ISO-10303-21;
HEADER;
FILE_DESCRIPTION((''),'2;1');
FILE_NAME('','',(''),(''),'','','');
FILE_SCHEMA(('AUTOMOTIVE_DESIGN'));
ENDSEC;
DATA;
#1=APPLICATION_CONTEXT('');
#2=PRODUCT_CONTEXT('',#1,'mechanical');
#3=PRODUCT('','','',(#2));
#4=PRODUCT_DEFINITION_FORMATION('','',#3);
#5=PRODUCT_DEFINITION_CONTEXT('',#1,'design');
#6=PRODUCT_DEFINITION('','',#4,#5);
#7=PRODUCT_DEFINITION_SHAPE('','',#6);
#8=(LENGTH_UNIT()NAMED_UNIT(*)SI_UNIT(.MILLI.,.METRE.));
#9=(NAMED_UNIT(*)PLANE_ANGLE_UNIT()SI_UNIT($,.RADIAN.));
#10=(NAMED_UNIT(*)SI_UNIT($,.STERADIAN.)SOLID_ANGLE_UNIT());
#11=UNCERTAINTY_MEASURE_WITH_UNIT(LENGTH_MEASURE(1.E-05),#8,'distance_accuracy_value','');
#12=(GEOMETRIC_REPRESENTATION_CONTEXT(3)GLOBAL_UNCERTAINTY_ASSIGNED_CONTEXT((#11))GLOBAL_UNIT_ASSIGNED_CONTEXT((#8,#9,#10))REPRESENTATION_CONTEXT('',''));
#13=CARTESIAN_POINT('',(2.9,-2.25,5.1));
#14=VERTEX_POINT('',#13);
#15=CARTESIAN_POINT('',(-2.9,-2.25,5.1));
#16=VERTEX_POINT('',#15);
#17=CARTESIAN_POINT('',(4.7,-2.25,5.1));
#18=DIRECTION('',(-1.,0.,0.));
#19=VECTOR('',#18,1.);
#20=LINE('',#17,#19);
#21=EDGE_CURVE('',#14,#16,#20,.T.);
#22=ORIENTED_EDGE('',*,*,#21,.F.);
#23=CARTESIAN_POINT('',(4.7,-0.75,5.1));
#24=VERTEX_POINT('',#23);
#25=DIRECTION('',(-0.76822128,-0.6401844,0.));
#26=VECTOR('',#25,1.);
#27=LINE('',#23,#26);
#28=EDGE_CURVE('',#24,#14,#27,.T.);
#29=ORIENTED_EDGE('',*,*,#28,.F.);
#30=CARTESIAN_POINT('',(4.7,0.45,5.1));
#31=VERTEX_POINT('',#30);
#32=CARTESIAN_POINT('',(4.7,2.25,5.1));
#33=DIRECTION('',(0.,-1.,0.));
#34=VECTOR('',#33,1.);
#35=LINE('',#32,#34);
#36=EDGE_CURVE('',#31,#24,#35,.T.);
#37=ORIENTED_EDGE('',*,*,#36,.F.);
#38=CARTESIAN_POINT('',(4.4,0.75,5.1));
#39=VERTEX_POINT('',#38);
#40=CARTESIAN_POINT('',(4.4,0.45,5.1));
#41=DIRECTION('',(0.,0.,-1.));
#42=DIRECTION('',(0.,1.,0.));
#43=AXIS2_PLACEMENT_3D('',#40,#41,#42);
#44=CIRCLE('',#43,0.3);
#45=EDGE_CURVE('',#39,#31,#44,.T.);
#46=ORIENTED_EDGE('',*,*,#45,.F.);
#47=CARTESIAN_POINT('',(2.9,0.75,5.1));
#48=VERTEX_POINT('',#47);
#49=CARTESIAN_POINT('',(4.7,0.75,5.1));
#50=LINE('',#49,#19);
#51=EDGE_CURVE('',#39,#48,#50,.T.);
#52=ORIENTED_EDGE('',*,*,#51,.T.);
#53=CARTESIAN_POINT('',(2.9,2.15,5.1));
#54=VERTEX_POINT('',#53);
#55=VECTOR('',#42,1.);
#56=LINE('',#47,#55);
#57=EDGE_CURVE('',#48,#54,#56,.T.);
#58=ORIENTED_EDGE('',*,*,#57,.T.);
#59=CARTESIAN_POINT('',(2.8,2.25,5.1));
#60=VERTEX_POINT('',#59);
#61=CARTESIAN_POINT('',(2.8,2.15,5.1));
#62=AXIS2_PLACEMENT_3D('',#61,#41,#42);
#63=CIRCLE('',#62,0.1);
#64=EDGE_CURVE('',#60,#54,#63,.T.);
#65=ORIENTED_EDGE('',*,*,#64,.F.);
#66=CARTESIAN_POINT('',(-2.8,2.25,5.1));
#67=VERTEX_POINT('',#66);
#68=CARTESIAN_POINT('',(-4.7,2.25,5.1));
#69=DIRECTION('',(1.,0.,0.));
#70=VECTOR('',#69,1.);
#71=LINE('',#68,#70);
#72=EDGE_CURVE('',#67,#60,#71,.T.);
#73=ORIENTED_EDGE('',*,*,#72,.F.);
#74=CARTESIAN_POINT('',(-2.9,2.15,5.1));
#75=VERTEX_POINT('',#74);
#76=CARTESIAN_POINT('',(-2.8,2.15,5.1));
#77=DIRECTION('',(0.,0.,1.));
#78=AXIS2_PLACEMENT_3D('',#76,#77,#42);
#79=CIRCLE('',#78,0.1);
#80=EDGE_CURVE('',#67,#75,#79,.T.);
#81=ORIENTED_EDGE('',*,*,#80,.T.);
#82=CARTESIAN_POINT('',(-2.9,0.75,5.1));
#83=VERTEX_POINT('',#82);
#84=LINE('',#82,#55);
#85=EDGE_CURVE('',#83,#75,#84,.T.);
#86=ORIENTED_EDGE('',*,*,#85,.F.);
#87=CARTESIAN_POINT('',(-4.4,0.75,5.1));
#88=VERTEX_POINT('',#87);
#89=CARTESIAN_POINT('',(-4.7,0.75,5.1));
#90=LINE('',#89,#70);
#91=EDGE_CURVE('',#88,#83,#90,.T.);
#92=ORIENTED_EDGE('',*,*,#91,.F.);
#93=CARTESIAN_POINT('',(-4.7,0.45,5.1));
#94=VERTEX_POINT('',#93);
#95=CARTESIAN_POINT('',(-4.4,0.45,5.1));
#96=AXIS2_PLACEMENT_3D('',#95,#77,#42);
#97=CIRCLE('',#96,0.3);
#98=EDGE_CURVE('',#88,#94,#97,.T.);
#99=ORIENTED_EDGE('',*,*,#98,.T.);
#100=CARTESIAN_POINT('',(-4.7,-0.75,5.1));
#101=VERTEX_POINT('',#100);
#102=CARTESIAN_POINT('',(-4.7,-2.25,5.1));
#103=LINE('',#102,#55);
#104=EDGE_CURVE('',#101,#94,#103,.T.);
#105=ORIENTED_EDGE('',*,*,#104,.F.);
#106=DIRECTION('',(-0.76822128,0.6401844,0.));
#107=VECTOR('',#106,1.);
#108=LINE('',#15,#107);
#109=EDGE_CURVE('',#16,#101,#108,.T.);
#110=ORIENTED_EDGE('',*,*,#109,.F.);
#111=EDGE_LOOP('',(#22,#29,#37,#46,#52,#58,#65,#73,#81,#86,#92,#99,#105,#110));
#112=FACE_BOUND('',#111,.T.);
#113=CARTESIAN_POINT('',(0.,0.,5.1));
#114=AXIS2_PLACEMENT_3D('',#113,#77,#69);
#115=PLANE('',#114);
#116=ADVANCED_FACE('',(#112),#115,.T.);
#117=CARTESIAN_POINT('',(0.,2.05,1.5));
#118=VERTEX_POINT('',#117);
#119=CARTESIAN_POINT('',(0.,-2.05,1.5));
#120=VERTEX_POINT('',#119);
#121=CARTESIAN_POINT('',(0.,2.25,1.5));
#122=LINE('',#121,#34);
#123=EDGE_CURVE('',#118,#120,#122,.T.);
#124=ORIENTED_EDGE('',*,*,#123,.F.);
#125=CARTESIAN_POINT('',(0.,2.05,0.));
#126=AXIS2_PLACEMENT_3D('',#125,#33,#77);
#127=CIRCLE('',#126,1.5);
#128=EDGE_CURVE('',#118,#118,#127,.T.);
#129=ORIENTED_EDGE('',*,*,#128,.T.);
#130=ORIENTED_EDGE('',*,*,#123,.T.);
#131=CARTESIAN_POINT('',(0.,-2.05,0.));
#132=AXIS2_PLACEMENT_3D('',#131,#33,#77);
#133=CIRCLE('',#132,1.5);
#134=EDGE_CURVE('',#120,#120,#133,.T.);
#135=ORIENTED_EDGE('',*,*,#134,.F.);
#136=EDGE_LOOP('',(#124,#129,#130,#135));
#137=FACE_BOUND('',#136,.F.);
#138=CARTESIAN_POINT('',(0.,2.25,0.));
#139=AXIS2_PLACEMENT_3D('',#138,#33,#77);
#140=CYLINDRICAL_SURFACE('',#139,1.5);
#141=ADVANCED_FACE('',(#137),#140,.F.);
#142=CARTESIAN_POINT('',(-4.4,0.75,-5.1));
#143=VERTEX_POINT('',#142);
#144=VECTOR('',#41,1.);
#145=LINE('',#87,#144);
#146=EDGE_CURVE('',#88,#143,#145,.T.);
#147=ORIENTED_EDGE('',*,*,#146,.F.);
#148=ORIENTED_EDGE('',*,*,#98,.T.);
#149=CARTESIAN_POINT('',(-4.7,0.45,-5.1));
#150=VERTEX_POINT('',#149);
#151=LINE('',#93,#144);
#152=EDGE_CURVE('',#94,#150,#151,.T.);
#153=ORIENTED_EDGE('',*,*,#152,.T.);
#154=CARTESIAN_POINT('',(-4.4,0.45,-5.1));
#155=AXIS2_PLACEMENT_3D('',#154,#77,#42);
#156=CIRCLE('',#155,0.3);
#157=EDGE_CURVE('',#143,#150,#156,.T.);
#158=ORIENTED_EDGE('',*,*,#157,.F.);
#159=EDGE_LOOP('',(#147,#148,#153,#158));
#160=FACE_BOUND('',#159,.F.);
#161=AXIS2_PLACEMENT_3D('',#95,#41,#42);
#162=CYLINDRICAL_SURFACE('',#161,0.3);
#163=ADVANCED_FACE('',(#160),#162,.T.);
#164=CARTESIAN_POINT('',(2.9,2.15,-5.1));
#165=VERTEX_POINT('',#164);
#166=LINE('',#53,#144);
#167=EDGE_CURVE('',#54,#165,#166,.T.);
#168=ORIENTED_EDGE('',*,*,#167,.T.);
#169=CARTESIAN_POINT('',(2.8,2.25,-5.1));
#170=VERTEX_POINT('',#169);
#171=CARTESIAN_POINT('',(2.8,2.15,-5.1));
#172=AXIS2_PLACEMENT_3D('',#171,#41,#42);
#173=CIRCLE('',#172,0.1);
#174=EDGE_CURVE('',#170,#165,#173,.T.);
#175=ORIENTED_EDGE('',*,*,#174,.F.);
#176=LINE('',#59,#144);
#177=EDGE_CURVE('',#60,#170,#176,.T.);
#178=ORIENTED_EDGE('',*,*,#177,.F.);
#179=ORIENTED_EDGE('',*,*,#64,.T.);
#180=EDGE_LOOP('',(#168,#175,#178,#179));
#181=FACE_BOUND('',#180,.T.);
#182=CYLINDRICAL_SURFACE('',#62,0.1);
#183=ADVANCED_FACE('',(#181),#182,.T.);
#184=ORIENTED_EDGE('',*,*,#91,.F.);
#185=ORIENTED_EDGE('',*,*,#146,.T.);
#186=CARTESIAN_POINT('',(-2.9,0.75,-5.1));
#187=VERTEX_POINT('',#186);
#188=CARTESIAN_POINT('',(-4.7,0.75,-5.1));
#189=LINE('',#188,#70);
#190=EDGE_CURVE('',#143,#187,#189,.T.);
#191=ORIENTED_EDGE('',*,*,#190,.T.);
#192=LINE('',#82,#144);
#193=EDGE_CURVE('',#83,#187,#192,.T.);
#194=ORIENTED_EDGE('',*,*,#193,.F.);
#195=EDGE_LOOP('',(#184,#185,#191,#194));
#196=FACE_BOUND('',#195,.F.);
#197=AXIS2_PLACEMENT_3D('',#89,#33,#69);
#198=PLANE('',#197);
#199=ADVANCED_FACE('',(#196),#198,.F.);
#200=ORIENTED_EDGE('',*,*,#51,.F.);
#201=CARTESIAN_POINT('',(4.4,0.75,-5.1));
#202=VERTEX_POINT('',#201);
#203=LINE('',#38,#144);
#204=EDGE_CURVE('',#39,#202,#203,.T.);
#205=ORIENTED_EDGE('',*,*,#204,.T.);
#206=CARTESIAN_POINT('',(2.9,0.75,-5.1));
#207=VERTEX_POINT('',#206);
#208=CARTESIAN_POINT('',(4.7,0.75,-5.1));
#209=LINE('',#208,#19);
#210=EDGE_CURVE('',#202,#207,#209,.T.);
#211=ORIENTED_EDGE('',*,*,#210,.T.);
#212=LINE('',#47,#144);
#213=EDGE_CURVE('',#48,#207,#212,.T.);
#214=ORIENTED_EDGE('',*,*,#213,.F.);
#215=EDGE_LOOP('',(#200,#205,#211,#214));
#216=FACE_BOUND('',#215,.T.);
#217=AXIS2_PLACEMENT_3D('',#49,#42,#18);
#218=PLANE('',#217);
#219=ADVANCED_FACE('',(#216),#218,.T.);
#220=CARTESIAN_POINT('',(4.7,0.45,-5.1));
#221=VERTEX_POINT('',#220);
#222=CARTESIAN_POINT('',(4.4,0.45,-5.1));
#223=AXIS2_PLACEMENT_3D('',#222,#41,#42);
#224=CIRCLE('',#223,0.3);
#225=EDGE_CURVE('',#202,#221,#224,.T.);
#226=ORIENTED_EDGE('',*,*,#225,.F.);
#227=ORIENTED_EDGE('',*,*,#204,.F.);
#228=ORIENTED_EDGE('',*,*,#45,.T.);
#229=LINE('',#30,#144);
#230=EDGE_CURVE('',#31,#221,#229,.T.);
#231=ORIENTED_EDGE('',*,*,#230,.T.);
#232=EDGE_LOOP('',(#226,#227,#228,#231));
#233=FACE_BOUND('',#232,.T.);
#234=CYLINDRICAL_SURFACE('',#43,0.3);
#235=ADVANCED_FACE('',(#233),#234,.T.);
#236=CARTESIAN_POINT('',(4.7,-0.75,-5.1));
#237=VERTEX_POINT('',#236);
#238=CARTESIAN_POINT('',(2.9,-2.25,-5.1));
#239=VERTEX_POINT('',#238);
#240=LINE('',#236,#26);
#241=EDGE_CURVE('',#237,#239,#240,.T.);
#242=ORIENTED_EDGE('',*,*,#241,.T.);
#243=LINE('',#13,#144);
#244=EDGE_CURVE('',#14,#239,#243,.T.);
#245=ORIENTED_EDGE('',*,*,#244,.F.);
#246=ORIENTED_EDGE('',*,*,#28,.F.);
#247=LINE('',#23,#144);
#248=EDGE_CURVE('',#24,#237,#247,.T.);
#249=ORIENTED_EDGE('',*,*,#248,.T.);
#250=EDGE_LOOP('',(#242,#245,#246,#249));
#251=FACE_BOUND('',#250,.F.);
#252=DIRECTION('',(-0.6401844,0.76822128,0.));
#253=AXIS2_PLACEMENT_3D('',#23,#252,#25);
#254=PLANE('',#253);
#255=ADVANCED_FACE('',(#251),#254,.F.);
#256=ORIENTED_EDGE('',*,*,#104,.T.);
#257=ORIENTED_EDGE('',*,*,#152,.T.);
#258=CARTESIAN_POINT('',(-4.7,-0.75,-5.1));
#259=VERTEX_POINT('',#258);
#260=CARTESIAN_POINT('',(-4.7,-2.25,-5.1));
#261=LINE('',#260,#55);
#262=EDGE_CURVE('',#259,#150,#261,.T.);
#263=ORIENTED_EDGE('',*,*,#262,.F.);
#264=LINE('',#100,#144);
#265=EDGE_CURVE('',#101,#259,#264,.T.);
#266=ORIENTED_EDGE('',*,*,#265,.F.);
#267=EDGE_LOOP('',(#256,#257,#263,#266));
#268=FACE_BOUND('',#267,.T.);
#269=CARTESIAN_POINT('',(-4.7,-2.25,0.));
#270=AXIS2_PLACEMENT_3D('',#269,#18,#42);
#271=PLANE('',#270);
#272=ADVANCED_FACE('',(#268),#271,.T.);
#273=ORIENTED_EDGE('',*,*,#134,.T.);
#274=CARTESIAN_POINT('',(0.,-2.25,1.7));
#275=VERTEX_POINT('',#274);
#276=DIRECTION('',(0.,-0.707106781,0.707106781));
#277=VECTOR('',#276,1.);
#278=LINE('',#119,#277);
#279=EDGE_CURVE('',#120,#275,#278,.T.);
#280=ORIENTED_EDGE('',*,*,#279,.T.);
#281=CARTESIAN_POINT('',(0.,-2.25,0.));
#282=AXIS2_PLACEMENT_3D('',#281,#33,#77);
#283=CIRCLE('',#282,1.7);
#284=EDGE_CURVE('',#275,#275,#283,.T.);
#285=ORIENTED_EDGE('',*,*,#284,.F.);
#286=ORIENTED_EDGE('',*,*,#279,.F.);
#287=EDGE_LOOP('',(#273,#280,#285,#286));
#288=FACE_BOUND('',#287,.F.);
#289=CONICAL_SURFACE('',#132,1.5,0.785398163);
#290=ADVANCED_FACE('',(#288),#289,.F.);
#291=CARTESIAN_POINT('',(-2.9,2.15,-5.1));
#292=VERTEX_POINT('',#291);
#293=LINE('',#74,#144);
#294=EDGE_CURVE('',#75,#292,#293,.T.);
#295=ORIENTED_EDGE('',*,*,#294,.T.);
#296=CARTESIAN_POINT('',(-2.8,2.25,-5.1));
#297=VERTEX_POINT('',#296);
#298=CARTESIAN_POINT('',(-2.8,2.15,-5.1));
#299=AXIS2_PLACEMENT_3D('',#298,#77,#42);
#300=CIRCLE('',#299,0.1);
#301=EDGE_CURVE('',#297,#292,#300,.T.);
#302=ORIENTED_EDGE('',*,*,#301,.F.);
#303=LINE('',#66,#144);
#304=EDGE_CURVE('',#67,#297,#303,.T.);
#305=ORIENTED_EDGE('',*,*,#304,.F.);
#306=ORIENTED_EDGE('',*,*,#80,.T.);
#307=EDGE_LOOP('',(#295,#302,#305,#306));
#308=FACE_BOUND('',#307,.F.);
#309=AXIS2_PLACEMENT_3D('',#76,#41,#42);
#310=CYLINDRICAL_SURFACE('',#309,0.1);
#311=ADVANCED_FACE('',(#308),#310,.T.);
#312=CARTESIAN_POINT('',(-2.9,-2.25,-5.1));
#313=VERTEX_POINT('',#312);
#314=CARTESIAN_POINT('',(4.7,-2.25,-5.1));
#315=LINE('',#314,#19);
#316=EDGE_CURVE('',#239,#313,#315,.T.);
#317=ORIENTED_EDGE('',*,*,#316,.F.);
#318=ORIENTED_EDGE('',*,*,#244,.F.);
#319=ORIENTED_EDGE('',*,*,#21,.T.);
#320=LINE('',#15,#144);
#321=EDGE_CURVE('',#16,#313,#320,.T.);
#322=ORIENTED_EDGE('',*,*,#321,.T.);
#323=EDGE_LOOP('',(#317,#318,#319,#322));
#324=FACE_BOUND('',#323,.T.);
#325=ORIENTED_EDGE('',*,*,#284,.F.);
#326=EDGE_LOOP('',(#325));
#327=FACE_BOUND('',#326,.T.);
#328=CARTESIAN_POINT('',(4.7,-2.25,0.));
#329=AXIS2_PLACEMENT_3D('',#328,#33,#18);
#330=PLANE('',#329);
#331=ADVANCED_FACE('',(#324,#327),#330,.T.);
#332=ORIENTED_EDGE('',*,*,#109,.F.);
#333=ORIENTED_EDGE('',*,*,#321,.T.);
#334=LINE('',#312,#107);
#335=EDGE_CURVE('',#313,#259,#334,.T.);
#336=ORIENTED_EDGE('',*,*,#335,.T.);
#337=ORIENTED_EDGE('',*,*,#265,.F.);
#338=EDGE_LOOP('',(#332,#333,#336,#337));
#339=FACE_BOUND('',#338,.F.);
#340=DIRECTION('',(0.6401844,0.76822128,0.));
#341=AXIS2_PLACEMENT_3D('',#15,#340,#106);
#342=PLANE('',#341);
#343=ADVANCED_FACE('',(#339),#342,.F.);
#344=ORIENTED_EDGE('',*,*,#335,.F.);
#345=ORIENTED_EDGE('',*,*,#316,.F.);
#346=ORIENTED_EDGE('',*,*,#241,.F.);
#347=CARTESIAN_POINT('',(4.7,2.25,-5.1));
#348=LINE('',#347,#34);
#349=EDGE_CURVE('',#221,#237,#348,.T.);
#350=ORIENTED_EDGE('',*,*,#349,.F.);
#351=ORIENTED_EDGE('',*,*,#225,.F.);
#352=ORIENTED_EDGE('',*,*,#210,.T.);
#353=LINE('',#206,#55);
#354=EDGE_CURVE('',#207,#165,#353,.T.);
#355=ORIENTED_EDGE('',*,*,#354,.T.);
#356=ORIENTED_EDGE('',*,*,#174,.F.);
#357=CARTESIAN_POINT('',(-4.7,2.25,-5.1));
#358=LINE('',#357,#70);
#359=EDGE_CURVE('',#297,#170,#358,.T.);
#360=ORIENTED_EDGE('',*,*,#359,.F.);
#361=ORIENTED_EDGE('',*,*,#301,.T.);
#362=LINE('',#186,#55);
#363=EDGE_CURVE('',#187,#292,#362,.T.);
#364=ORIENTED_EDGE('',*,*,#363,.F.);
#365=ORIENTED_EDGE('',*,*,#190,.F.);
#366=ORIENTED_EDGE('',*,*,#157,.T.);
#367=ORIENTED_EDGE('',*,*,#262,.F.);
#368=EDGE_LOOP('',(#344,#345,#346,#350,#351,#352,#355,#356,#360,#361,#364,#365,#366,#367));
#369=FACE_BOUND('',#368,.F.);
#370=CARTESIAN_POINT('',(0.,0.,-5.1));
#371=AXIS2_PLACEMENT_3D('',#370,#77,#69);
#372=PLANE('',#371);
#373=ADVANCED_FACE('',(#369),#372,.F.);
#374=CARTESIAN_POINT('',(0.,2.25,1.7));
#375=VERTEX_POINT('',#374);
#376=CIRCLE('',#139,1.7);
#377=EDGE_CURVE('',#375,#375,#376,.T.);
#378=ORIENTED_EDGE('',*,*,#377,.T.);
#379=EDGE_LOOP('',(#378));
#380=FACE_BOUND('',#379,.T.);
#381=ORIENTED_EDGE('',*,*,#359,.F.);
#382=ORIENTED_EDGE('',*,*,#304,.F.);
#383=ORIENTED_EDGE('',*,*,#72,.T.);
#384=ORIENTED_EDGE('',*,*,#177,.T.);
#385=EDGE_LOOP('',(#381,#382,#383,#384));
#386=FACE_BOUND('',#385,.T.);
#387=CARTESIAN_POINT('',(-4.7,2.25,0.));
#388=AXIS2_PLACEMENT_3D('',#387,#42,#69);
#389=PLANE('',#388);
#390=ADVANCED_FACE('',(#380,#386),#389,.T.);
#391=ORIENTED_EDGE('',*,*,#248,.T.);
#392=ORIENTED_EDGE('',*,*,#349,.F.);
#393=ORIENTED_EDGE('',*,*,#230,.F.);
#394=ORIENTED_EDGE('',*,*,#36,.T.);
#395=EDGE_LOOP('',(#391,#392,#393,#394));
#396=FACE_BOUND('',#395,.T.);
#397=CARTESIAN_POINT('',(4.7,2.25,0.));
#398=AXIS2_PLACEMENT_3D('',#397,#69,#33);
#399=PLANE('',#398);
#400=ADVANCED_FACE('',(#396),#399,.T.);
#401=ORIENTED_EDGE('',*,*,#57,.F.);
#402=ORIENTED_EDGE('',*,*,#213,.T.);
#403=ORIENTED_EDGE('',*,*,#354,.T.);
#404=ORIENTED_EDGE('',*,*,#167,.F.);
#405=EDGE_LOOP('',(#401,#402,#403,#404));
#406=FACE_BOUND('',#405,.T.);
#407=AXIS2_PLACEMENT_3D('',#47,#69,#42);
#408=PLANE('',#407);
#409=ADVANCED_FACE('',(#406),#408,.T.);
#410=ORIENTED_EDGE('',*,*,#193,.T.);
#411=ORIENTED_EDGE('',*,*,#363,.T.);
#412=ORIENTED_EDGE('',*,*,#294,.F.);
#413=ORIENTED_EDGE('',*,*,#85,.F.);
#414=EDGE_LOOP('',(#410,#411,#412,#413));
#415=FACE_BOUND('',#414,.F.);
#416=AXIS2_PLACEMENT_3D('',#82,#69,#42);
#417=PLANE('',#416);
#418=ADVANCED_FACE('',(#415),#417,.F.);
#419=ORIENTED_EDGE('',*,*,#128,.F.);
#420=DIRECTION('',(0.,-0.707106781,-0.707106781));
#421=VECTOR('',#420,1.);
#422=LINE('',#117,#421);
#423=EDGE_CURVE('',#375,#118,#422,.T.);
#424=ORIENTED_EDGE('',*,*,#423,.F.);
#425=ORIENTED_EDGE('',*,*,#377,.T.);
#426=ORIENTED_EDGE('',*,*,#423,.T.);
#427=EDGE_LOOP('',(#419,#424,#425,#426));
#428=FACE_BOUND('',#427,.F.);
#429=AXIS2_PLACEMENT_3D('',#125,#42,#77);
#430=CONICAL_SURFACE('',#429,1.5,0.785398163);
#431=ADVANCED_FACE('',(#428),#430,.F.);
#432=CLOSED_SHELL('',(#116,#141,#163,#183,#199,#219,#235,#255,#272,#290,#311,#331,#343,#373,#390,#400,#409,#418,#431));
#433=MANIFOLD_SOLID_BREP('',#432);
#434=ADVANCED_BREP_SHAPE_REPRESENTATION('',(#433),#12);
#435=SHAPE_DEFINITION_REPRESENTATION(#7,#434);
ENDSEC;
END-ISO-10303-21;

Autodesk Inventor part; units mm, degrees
ref_plane "YZ Plane" through (0, 0, 0) normal (1, 0, 0) x (0, 1, 0)
ref_plane "XZ Plane" through (0, 0, 0) normal (0, 1, 0) x (-1, 0, 0)
ref_plane "XY Plane" through (0, 0, 0) normal (0, 0, 1) x (1, 0, 0)
sketch "Эскиз1" plane through (0, 0, 0) normal (0, 0, 1) x (1, 0, 0)
  line L0 (-4.7, 2.25) -> (4.7, 2.25)
  line L1 (4.7, 2.25) -> (4.7, -2.25)
  line L2 (4.7, -2.25) -> (-4.7, -2.25)
  line L3 (-4.7, -2.25) -> (-4.7, 2.25)
  point P0 (0, 0)
  point P1 (-4.7, 0)
  point P2 (0, 2.25)
  dimension "d0" = 9.4
  dimension "d1" = 4.5
extrude "Выдавливание1" add sketch "Эскиз1" along normal mid plane 10.2
sketch "Эскиз3" plane through (0, 0, 5.1) normal (0, 0, 1) x (1, 0, 0)
  line L0 (-4.7, 2.25) -> (-4.7, -2.25) projected
  line L1 (-4.7, 0.75) -> (-2.9, 0.75)
  line L2 (-2.9, 0.75) -> (-2.9, 2.25)
  line L3 (4.7, 2.25) -> (-4.7, 2.25) projected
  line L4 (4.7, -2.25) -> (4.7, 2.25) projected
  line L5 (4.7, 0.75) -> (2.9, 0.75)
  line L6 (2.9, 0.75) -> (2.9, 2.25)
  point P0 (0, 0)
  dimension "d7" = 1.5
  dimension "d8" = 2.9
  dimension "d9" = 5.8
extrude "Выдавливание2" cut sketch "Эскиз3" against normal blind 10.2
sketch "Эскиз5" plane through (0, 0, 5.1) normal (0, 0, 1) x (1, 0, 0)
  line L0 (-4.7, -2.25) -> (4.7, -2.25) projected
  line L1 (-2.9, -2.25) -> (-4.7, -0.75)
  line L2 (-4.7, 0.75) -> (-4.7, -2.25) projected
  line L3 (4.7, -2.25) -> (4.7, 0.75) projected
  line L4 (4.7, -0.75) -> (2.9, -2.25)
  point P0 (0, 0)
  dimension "d15" = 1.5
  dimension "d16" = 2.9
  dimension "d17" = 5.8
extrude "Выдавливание3" cut sketch "Эскиз5" against normal blind 10.2
sketch "Эскиз6" plane through (-2.9, 2.25, -5.1) normal (0, 1, 0) x (1, 0, 0)
  point P0 (2.9, -5.1)
  point P1 (2.9, -5.1)
hole "Отверстие1" at (0, 2.25, 0) direction (0, -1, 0) diameter 3 end through all
chamfer "Фаска1" distance 0.2 angle 45 2 edges at (0, 2.25, -1.5) (0, -2.25, -1.5)
fillet "Сопряжение2" radius 0.1 2 edges at (2.9, 2.25, 0) (-2.9, 2.25, 0)
fillet "Сопряжение3" radius 0.3 2 edges at (-4.7, 0.75, 0) (4.7, 0.75, 0)
thread "Резьба2" size "M3x0.35" class "6H" standard "ANSI Metric M Profile" full length
properties part number "APM5N" material "Сталь"
